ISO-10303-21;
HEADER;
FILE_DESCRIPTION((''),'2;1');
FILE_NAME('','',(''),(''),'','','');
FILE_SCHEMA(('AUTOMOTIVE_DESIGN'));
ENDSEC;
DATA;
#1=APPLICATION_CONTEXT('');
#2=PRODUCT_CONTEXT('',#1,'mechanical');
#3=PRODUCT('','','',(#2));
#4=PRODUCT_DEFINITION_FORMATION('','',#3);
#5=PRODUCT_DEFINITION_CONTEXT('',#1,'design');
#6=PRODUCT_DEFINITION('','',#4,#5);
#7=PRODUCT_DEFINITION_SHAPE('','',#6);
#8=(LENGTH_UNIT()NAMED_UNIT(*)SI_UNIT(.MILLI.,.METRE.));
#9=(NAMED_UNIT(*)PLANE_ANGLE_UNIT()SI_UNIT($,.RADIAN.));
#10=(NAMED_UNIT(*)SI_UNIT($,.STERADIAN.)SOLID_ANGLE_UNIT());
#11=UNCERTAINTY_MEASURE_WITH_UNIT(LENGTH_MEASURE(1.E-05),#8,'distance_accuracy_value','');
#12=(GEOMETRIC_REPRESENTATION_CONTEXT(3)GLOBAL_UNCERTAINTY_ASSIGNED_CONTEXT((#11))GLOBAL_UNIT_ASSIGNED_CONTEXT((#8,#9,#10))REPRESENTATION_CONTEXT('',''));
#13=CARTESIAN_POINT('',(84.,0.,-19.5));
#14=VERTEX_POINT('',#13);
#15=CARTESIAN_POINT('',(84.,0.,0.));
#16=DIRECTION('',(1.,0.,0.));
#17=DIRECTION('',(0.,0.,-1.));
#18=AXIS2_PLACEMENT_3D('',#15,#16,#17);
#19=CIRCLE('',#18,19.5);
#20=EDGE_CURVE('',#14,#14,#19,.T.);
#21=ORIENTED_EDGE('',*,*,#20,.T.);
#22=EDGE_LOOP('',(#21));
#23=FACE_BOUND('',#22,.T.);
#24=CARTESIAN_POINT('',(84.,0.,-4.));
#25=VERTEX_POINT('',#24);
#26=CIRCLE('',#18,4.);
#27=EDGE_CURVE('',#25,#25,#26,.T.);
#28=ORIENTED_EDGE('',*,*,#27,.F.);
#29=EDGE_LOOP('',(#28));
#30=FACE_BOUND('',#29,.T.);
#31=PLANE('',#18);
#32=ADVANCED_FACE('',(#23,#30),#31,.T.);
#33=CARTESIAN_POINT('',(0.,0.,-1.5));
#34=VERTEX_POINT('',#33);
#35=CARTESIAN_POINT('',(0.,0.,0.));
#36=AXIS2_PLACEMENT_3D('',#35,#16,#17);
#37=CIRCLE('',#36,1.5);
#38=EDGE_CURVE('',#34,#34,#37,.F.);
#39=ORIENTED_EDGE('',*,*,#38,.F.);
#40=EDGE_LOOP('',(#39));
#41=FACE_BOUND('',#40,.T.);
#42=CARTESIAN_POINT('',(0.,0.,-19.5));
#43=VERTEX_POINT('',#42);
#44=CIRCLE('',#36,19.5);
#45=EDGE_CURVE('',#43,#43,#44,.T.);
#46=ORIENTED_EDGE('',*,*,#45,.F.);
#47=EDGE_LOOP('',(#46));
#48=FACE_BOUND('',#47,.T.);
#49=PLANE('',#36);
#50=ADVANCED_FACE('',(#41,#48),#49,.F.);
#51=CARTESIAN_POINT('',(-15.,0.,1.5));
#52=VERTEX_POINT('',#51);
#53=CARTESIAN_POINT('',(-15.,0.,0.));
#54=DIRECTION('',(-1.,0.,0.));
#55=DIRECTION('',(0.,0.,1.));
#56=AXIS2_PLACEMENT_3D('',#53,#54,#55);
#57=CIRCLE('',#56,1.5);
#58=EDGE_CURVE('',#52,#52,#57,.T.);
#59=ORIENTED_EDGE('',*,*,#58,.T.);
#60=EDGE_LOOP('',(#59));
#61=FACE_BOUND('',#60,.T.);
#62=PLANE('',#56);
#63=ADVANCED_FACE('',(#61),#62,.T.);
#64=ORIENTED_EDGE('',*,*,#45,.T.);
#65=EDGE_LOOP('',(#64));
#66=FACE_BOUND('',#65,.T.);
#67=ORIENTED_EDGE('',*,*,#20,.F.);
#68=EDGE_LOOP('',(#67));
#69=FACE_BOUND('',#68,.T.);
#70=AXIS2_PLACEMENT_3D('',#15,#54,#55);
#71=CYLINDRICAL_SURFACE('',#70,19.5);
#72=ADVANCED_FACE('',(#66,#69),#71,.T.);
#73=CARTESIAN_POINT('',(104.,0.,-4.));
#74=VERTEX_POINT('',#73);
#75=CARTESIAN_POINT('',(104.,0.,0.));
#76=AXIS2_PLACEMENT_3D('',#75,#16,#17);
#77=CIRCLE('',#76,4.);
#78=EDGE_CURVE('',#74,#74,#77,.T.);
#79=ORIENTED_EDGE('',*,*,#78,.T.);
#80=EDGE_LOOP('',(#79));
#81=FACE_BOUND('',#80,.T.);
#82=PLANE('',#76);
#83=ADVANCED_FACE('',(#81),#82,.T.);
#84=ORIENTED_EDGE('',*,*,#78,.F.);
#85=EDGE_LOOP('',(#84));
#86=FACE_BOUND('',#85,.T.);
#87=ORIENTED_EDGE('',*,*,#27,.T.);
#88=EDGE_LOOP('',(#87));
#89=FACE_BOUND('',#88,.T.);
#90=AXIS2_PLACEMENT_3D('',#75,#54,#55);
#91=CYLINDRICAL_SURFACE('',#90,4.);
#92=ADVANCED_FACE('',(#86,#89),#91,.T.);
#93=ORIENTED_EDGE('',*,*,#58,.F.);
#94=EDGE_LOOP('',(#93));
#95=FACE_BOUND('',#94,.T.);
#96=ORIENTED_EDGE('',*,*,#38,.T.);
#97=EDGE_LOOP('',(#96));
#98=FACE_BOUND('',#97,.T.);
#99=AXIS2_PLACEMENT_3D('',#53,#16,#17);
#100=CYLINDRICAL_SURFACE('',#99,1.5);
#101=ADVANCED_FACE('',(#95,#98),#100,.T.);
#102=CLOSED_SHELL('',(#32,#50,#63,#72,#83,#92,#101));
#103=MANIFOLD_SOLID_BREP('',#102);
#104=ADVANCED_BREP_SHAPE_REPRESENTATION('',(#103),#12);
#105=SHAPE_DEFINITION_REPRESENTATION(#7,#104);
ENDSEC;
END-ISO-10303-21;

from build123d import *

# Parameters (mm, degrees)
SKETCH1_R           = 19.5
BOSS_EXTRUDE1_DEPTH = 84
SKETCH2_R           = 4
BOSS_EXTRUDE2_DEPTH = 20
SKETCH3_R           = 1.5
BOSS_EXTRUDE3_DEPTH = 15


with BuildPart() as part:
    # Sketch1 → Boss-Extrude1 (new body)
    with BuildSketch(Plane(origin=(0, 0, 0), x_dir=(0, 0, -1), z_dir=(1, 0, 0))):
        Circle(SKETCH1_R)
    extrude(amount=BOSS_EXTRUDE1_DEPTH)

    # Sketch2 → Boss-Extrude2 (add)
    with BuildSketch(Plane(origin=(84, 0, 0), x_dir=(0, 0, -1), z_dir=(1, 0, 0))):
        Circle(SKETCH2_R)
    extrude(amount=BOSS_EXTRUDE2_DEPTH)

    # Sketch3 → Boss-Extrude3 (add)
    with BuildSketch(Plane.ZY):
        Circle(SKETCH3_R)
    extrude(amount=BOSS_EXTRUDE3_DEPTH)


solid = part.part
